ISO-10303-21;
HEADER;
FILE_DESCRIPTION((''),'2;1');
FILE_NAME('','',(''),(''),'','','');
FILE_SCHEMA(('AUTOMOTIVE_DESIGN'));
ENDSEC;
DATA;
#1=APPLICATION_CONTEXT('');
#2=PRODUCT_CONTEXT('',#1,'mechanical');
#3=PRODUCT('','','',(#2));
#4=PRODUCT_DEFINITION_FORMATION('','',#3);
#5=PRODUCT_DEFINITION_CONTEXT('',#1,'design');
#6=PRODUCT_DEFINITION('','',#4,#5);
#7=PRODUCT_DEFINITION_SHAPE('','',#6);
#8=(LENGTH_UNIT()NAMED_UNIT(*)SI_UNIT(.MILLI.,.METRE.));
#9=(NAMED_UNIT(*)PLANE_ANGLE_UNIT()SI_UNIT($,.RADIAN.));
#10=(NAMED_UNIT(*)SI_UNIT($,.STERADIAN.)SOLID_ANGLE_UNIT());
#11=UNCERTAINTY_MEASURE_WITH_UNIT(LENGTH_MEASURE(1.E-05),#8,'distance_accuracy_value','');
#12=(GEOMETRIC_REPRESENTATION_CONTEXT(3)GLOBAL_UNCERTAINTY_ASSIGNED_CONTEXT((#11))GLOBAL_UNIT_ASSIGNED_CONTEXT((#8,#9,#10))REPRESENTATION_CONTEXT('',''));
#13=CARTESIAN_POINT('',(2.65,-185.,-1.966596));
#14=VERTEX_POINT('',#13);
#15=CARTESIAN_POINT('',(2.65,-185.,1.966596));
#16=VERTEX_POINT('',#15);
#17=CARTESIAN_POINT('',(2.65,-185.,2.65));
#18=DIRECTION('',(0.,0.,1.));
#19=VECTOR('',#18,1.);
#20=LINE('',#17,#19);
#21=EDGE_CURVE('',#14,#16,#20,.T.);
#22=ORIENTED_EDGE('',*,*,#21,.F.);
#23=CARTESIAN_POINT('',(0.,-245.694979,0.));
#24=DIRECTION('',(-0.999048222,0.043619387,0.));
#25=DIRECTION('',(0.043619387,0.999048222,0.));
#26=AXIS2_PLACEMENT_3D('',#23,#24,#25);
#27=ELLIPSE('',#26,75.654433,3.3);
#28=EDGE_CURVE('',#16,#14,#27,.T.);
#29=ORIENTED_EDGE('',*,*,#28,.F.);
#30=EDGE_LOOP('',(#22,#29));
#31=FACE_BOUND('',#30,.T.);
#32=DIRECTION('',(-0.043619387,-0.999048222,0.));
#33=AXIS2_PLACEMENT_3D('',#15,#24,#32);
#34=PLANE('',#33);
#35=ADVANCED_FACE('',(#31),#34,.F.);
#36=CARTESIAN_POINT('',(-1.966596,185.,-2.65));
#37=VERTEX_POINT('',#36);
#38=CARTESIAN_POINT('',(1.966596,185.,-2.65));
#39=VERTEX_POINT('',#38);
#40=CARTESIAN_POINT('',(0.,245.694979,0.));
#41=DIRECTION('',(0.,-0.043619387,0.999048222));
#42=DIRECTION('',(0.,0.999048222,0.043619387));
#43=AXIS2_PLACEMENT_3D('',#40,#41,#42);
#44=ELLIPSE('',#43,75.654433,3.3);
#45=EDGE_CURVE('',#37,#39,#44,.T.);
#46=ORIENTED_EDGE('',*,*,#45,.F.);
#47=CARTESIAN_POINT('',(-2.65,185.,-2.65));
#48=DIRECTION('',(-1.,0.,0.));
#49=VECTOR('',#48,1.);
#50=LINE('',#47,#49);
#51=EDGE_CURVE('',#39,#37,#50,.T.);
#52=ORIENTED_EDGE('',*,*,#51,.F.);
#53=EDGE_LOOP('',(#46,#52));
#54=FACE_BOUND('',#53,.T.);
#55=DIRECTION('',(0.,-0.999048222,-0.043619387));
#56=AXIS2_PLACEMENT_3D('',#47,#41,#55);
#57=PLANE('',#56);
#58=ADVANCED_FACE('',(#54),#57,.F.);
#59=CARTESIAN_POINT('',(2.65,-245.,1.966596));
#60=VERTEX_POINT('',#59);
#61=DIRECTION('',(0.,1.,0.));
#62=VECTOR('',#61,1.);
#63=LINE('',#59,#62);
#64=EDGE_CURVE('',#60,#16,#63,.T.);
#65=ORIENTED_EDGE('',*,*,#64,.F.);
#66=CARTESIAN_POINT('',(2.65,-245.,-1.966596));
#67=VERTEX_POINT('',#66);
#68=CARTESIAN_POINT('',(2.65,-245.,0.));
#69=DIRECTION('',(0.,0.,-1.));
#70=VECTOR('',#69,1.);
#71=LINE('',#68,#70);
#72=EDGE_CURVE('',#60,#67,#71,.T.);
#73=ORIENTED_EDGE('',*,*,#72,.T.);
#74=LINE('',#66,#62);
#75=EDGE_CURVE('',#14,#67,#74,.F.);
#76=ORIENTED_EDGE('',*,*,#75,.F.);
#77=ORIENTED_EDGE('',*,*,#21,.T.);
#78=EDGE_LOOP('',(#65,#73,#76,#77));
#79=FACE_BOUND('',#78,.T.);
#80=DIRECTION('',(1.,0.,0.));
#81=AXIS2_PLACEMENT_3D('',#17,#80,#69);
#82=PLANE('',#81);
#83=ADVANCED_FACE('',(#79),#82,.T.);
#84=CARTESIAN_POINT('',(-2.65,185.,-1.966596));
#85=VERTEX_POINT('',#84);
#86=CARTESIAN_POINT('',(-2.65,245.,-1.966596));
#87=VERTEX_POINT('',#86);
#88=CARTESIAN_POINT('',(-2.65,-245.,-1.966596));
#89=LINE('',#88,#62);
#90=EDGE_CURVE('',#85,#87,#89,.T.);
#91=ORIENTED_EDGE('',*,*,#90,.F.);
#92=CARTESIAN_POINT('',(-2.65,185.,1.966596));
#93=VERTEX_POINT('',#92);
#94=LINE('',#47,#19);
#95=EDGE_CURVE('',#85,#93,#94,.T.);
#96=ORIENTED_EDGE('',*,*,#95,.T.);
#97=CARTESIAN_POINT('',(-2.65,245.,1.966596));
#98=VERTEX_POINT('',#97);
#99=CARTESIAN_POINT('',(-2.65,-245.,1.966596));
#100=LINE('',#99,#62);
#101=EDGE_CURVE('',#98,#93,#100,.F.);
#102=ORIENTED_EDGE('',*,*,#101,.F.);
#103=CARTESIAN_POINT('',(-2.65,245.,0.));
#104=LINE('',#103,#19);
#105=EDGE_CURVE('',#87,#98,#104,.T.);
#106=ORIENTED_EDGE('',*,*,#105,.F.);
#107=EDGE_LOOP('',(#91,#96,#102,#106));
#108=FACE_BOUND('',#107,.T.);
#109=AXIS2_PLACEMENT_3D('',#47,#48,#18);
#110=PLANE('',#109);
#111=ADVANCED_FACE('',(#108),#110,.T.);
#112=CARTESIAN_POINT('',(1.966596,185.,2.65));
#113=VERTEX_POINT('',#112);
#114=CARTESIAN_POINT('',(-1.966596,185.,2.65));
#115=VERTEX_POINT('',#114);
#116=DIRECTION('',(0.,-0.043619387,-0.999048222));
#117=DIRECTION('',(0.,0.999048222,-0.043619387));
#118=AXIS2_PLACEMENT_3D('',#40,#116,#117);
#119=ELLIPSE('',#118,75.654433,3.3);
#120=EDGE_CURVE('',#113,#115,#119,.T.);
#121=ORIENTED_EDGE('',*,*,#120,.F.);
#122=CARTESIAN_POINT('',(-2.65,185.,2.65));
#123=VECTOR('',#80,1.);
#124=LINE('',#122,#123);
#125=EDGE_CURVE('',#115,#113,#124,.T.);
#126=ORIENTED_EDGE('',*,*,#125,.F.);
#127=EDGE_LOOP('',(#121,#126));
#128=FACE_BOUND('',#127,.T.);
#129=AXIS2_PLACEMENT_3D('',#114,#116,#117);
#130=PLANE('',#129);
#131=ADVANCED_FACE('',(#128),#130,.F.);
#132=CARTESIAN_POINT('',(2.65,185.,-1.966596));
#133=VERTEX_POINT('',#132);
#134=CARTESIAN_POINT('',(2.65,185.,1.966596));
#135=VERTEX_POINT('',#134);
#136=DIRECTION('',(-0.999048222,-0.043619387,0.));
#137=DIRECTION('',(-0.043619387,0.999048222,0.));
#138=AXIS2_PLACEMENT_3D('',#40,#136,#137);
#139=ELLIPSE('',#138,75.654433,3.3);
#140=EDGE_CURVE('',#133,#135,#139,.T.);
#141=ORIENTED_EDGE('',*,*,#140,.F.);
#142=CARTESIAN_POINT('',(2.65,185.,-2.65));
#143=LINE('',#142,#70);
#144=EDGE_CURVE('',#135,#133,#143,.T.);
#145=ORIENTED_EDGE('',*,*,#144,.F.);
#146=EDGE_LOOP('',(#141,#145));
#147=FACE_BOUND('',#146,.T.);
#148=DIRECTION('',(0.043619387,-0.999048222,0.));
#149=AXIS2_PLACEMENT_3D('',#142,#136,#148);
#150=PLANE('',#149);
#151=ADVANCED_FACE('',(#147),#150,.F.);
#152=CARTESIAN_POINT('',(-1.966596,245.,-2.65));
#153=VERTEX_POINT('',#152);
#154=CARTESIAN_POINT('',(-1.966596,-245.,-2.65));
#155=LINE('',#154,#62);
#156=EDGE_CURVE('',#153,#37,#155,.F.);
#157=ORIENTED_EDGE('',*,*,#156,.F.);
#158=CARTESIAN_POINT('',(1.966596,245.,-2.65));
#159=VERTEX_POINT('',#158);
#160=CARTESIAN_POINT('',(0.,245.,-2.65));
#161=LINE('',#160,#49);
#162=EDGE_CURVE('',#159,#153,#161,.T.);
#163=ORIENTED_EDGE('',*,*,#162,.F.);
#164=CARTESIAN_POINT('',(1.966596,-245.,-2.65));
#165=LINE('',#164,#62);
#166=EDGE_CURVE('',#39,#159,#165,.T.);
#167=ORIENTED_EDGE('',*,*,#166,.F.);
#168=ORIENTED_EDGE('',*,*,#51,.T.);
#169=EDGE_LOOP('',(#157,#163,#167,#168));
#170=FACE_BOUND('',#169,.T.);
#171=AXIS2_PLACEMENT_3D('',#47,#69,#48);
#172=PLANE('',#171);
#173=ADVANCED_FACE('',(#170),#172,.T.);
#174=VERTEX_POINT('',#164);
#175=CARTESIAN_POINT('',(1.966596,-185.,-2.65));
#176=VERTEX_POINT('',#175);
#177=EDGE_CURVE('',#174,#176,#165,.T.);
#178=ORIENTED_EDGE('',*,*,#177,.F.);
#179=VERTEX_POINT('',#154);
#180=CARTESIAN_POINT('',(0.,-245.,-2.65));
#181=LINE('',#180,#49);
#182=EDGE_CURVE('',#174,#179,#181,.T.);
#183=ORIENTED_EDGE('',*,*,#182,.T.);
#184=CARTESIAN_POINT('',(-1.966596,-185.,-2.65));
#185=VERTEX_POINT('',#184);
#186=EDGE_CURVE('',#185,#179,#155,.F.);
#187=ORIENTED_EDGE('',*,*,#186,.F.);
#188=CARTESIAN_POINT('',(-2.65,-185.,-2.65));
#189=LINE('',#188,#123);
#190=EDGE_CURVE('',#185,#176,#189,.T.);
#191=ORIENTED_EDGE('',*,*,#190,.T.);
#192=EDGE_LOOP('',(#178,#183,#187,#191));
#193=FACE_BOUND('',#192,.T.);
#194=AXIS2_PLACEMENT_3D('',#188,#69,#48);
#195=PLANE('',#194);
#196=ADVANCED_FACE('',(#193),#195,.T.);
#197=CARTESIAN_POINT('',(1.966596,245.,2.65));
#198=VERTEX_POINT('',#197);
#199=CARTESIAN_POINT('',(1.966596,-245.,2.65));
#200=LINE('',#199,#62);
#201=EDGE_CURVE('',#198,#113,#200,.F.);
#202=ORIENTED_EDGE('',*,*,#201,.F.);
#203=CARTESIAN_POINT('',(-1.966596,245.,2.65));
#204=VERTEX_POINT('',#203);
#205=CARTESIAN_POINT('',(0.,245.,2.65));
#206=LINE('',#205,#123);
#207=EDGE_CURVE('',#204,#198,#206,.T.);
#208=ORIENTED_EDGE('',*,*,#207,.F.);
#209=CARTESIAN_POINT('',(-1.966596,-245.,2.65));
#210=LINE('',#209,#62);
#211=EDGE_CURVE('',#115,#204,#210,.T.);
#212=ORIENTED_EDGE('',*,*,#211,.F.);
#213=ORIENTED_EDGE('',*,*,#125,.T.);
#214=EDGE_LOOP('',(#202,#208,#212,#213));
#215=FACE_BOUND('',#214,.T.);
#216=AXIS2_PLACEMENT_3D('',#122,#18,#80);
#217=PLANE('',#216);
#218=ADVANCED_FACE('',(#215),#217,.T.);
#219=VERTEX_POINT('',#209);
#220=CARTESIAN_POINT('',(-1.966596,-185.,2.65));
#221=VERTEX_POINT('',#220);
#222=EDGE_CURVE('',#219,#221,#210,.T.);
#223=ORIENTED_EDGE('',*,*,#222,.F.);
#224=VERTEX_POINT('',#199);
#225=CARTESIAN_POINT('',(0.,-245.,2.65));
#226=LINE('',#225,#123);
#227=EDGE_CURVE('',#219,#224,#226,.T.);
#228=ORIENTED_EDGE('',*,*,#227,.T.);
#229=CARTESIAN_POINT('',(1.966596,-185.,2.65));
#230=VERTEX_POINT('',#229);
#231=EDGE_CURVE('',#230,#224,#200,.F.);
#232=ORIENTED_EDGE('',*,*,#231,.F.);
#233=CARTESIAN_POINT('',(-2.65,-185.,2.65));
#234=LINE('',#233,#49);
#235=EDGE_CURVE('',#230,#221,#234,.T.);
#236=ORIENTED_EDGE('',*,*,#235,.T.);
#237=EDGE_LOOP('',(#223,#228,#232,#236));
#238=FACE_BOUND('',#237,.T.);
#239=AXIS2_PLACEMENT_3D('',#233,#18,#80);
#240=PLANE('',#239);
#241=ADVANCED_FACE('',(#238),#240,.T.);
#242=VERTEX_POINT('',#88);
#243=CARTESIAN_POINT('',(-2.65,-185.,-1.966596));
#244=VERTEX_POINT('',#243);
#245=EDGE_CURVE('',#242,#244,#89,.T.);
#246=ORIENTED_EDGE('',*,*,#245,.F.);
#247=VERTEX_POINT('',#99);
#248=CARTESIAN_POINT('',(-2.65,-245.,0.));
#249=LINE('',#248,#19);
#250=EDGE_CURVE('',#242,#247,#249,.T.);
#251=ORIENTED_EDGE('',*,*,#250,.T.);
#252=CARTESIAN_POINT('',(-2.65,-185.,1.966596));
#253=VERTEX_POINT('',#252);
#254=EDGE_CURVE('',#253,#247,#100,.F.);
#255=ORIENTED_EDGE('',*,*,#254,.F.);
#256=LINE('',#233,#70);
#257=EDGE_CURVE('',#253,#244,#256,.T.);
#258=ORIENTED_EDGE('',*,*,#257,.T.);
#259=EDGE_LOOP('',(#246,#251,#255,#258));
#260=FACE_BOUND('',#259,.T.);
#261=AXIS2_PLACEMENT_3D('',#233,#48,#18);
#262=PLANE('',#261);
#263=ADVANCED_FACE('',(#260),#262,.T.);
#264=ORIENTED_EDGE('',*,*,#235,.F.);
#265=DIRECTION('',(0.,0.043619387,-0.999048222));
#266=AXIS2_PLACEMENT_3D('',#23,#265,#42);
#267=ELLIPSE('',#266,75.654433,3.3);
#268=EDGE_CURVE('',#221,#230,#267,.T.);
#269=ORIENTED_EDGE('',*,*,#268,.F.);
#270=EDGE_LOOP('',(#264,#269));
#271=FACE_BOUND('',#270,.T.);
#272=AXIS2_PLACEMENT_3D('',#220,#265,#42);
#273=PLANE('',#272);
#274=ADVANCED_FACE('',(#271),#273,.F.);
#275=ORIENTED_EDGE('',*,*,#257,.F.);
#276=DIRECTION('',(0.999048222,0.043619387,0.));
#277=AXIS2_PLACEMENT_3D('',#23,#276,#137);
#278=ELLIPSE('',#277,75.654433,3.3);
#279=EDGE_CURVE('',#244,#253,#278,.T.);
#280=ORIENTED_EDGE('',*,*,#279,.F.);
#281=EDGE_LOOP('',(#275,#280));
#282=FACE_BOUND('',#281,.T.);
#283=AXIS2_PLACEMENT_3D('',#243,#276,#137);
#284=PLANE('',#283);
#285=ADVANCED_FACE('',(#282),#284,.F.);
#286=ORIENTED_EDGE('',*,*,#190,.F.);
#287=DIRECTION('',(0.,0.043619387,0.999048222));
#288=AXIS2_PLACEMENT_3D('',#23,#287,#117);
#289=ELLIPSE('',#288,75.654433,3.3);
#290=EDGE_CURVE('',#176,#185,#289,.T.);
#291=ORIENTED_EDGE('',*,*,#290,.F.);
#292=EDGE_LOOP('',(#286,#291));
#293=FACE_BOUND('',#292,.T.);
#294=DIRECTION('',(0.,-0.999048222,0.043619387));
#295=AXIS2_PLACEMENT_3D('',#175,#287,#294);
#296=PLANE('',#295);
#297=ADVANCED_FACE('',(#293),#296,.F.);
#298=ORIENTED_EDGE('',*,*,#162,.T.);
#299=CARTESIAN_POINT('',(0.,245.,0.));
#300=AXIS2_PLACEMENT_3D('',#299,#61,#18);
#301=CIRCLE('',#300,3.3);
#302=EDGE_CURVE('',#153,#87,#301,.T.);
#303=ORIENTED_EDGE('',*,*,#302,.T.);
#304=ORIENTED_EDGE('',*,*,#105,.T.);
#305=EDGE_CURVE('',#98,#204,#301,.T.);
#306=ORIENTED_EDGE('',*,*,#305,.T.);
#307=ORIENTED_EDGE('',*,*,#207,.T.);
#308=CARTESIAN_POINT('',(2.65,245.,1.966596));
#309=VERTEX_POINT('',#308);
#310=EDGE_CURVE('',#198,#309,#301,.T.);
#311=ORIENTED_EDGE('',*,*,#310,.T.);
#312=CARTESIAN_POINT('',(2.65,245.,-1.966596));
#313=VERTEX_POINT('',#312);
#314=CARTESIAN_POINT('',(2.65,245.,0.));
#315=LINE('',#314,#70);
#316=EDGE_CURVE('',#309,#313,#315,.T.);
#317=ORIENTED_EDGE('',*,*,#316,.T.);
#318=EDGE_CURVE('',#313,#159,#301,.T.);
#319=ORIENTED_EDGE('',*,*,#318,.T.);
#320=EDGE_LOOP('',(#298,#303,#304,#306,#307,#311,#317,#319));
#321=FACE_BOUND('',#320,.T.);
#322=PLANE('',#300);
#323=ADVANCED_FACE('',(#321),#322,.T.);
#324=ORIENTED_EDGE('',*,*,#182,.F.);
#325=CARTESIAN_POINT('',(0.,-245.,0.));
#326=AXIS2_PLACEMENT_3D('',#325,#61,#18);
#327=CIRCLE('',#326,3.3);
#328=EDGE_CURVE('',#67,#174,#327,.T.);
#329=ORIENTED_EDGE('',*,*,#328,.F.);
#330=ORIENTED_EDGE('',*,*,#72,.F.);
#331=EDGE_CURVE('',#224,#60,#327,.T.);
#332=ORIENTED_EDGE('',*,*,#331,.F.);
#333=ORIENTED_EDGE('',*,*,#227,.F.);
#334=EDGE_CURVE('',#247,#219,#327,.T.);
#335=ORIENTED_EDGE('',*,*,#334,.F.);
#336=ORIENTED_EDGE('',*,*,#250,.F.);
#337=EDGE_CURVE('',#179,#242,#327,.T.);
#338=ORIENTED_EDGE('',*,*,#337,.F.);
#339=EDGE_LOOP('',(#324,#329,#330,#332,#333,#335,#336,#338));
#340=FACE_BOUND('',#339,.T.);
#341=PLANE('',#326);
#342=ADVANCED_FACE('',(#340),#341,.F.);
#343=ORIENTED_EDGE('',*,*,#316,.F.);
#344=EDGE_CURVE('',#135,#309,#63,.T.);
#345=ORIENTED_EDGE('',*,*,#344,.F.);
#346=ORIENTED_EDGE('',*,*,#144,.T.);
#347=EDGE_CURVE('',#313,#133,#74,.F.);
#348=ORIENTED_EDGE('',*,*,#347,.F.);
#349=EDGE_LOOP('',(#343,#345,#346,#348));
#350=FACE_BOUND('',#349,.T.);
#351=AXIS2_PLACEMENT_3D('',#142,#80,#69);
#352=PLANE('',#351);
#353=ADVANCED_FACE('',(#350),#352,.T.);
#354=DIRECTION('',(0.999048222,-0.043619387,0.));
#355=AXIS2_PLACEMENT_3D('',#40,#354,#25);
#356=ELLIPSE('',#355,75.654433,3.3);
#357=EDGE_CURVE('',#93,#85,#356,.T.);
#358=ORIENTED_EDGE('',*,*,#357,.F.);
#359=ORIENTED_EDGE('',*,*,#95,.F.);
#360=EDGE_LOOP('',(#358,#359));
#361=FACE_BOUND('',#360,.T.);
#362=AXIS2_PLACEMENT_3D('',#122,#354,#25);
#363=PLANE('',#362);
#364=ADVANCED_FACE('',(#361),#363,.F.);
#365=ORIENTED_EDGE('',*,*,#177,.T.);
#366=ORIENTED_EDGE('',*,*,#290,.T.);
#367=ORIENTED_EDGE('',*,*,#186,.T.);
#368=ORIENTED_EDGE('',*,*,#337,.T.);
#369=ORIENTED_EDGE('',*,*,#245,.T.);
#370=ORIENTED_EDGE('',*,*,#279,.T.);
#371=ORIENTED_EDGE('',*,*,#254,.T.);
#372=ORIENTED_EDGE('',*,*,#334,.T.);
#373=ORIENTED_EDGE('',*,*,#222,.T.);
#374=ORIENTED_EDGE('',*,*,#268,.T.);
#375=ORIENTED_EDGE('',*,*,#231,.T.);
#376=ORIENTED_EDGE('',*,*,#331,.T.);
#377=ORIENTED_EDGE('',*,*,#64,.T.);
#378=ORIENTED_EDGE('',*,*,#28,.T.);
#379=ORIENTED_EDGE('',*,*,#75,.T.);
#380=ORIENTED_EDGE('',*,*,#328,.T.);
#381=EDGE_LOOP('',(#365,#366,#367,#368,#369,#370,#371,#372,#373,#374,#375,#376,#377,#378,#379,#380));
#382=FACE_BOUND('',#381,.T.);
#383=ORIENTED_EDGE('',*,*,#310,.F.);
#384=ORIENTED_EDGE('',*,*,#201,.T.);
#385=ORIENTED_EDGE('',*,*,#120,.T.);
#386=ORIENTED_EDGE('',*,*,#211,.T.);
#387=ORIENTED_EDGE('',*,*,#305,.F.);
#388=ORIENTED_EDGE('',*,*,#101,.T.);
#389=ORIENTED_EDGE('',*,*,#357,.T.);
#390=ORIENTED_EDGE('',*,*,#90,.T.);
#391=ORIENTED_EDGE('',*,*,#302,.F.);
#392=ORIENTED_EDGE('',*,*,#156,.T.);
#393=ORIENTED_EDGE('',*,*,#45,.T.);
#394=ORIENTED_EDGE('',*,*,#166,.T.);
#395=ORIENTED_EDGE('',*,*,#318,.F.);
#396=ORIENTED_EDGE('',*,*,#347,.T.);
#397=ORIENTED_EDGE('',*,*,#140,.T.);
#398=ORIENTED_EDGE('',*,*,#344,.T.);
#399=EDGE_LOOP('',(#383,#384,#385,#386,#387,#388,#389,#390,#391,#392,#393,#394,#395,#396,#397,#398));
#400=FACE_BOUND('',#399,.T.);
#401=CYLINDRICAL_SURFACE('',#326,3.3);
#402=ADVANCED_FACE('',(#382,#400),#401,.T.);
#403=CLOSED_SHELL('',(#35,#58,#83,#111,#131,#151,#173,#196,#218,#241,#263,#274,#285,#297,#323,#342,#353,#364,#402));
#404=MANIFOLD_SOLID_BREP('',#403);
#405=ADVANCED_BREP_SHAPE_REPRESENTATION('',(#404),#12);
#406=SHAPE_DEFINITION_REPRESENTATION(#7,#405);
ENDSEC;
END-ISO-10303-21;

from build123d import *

# Parameters (mm, degrees)
BOSS_EXTRUDE1_DEPTH      = 245
BOSS_EXTRUDE1_DEPTH_BACK = 245
SKETCH1_R                = 3.3
SKETCH2_OUTSIDE_W        = 106.618
SKETCH2_OUTSIDE_H        = 106.618
SKETCH2_OUTSIDE_W_2      = 5.3
SKETCH2_OUTSIDE_H_2      = 5.3
CUT_EXTRUDE1_DEPTH       = 60
SKETCH3_OUTSIDE_W        = 107.928
SKETCH3_OUTSIDE_H        = 107.928
CUT_EXTRUDE2_DEPTH       = 15
CUT_EXTRUDE2_DRAFT       = -2.5
SKETCH4_OUTSIDE_W        = 106.618
SKETCH4_OUTSIDE_H        = 106.618
SKETCH4_OUTSIDE_W_2      = 5.3
SKETCH4_OUTSIDE_H_2      = 5.3
CUT_EXTRUDE3_DEPTH       = 60
SKETCH5_OUTSIDE_W        = 107.928
SKETCH5_OUTSIDE_H        = 107.928
CUT_EXTRUDE4_DEPTH       = 15
CUT_EXTRUDE4_DRAFT       = -2.5


with BuildPart() as part:
    # Sketch1 → Boss-Extrude1 (new, two sides: drawn at the far end of the back side and taken through both)
    with BuildSketch(Plane(origin=(0, 0, 0), x_dir=(1, 0, 0), z_dir=(0, 1, 0)).offset(-BOSS_EXTRUDE1_DEPTH_BACK)):
        Circle(SKETCH1_R)
    extrude(amount=BOSS_EXTRUDE1_DEPTH + BOSS_EXTRUDE1_DEPTH_BACK)

    # Sketch2 outside → Cut-Extrude1 (cut)
    with BuildSketch(Plane(origin=(0, 245, 0), x_dir=(1, 0, 0), z_dir=(0, 1, 0))):
        Rectangle(SKETCH2_OUTSIDE_W, SKETCH2_OUTSIDE_H)
        Rectangle(SKETCH2_OUTSIDE_W_2, SKETCH2_OUTSIDE_H_2, mode=Mode.SUBTRACT)
    extrude(amount=-CUT_EXTRUDE1_DEPTH, mode=Mode.SUBTRACT)


with BuildPart() as cut_extrude2_tool:
    # Sketch3 outside → Cut-Extrude2 (with draft: the straight prism first)
    with BuildSketch(Plane(origin=(0, 185, 0), x_dir=(1, 0, 0), z_dir=(0, 1, 0))):
        Rectangle(SKETCH3_OUTSIDE_W, SKETCH3_OUTSIDE_H)
        Polygon((-1.966596044, -2.65), (1.966596044, -2.65), (2.65, -2.65), (2.65, -1.966596044), (2.65, 1.966596044), (2.65, 2.65), (1.966596044, 2.65), (-1.966596044, 2.65), (-2.65, 2.65), (-2.65, 1.966596044), (-2.65, -1.966596044), (-2.65, -2.65), align=None, mode=Mode.SUBTRACT)
    extrude(amount=-CUT_EXTRUDE2_DEPTH)
    # Cut-Extrude2: the draft: its side faces are tilted about the plane it starts from
    cut_extrude2_sides = [cut_extrude2_tool.faces().sort_by_distance(p)[0] for p in [
        (0, 177.5, 53.964),
        (0, 177.5, 2.65),
        (2.65, 177.5, 0),
        (0, 177.5, -2.65),
        (-2.65, 177.5, 0),
        (0, 177.5, -53.964),
        (53.964, 177.5, 0),
        (-53.964, 177.5, 0),
    ]]
    draft(cut_extrude2_sides, Plane(origin=(0, 185, 0), x_dir=(1, 0, 0), z_dir=(0, 1, 0)), CUT_EXTRUDE2_DRAFT)


with BuildPart() as part_1:
    add(part.part)

    # Cut-Extrude2: cut by cut_extrude2_tool
    add(cut_extrude2_tool.part, mode=Mode.SUBTRACT)

    # Sketch4 outside → Cut-Extrude3 (cut)
    with BuildSketch(Plane.XZ.offset(245)):
        Rectangle(SKETCH4_OUTSIDE_W, SKETCH4_OUTSIDE_H)
        Rectangle(SKETCH4_OUTSIDE_W_2, SKETCH4_OUTSIDE_H_2, mode=Mode.SUBTRACT)
    extrude(amount=-CUT_EXTRUDE3_DEPTH, mode=Mode.SUBTRACT)


with BuildPart() as cut_extrude4_tool:
    # Sketch5 outside → Cut-Extrude4 (with draft: the straight prism first)
    with BuildSketch(Plane.XZ.offset(185)):
        Rectangle(SKETCH5_OUTSIDE_W, SKETCH5_OUTSIDE_H)
        Polygon((1.966596044, -2.65), (2.65, -2.65), (2.65, -1.966596044), (2.65, 1.966596044), (2.65, 2.65), (1.966596044, 2.65), (-1.966596044, 2.65), (-2.65, 2.65), (-2.65, 1.966596044), (-2.65, -1.966596044), (-2.65, -2.65), (-1.966596044, -2.65), align=None, mode=Mode.SUBTRACT)
    extrude(amount=-CUT_EXTRUDE4_DEPTH)
    # Cut-Extrude4: the draft: its side faces are tilted about the plane it starts from
    cut_extrude4_sides = [cut_extrude4_tool.faces().sort_by_distance(p)[0] for p in [
        (0, -177.5, -53.964),
        (0, -177.5, -2.65),
        (2.65, -177.5, 0),
        (0, -177.5, 2.65),
        (-2.65, -177.5, 0),
        (0, -177.5, 53.964),
        (53.964, -177.5, 0),
        (-53.964, -177.5, 0),
    ]]
    draft(cut_extrude4_sides, Plane.XZ.offset(185), CUT_EXTRUDE4_DRAFT)


with BuildPart() as part_2:
    add(part_1.part)

    # Cut-Extrude4: cut by cut_extrude4_tool
    add(cut_extrude4_tool.part, mode=Mode.SUBTRACT)


solid = part_2.part
